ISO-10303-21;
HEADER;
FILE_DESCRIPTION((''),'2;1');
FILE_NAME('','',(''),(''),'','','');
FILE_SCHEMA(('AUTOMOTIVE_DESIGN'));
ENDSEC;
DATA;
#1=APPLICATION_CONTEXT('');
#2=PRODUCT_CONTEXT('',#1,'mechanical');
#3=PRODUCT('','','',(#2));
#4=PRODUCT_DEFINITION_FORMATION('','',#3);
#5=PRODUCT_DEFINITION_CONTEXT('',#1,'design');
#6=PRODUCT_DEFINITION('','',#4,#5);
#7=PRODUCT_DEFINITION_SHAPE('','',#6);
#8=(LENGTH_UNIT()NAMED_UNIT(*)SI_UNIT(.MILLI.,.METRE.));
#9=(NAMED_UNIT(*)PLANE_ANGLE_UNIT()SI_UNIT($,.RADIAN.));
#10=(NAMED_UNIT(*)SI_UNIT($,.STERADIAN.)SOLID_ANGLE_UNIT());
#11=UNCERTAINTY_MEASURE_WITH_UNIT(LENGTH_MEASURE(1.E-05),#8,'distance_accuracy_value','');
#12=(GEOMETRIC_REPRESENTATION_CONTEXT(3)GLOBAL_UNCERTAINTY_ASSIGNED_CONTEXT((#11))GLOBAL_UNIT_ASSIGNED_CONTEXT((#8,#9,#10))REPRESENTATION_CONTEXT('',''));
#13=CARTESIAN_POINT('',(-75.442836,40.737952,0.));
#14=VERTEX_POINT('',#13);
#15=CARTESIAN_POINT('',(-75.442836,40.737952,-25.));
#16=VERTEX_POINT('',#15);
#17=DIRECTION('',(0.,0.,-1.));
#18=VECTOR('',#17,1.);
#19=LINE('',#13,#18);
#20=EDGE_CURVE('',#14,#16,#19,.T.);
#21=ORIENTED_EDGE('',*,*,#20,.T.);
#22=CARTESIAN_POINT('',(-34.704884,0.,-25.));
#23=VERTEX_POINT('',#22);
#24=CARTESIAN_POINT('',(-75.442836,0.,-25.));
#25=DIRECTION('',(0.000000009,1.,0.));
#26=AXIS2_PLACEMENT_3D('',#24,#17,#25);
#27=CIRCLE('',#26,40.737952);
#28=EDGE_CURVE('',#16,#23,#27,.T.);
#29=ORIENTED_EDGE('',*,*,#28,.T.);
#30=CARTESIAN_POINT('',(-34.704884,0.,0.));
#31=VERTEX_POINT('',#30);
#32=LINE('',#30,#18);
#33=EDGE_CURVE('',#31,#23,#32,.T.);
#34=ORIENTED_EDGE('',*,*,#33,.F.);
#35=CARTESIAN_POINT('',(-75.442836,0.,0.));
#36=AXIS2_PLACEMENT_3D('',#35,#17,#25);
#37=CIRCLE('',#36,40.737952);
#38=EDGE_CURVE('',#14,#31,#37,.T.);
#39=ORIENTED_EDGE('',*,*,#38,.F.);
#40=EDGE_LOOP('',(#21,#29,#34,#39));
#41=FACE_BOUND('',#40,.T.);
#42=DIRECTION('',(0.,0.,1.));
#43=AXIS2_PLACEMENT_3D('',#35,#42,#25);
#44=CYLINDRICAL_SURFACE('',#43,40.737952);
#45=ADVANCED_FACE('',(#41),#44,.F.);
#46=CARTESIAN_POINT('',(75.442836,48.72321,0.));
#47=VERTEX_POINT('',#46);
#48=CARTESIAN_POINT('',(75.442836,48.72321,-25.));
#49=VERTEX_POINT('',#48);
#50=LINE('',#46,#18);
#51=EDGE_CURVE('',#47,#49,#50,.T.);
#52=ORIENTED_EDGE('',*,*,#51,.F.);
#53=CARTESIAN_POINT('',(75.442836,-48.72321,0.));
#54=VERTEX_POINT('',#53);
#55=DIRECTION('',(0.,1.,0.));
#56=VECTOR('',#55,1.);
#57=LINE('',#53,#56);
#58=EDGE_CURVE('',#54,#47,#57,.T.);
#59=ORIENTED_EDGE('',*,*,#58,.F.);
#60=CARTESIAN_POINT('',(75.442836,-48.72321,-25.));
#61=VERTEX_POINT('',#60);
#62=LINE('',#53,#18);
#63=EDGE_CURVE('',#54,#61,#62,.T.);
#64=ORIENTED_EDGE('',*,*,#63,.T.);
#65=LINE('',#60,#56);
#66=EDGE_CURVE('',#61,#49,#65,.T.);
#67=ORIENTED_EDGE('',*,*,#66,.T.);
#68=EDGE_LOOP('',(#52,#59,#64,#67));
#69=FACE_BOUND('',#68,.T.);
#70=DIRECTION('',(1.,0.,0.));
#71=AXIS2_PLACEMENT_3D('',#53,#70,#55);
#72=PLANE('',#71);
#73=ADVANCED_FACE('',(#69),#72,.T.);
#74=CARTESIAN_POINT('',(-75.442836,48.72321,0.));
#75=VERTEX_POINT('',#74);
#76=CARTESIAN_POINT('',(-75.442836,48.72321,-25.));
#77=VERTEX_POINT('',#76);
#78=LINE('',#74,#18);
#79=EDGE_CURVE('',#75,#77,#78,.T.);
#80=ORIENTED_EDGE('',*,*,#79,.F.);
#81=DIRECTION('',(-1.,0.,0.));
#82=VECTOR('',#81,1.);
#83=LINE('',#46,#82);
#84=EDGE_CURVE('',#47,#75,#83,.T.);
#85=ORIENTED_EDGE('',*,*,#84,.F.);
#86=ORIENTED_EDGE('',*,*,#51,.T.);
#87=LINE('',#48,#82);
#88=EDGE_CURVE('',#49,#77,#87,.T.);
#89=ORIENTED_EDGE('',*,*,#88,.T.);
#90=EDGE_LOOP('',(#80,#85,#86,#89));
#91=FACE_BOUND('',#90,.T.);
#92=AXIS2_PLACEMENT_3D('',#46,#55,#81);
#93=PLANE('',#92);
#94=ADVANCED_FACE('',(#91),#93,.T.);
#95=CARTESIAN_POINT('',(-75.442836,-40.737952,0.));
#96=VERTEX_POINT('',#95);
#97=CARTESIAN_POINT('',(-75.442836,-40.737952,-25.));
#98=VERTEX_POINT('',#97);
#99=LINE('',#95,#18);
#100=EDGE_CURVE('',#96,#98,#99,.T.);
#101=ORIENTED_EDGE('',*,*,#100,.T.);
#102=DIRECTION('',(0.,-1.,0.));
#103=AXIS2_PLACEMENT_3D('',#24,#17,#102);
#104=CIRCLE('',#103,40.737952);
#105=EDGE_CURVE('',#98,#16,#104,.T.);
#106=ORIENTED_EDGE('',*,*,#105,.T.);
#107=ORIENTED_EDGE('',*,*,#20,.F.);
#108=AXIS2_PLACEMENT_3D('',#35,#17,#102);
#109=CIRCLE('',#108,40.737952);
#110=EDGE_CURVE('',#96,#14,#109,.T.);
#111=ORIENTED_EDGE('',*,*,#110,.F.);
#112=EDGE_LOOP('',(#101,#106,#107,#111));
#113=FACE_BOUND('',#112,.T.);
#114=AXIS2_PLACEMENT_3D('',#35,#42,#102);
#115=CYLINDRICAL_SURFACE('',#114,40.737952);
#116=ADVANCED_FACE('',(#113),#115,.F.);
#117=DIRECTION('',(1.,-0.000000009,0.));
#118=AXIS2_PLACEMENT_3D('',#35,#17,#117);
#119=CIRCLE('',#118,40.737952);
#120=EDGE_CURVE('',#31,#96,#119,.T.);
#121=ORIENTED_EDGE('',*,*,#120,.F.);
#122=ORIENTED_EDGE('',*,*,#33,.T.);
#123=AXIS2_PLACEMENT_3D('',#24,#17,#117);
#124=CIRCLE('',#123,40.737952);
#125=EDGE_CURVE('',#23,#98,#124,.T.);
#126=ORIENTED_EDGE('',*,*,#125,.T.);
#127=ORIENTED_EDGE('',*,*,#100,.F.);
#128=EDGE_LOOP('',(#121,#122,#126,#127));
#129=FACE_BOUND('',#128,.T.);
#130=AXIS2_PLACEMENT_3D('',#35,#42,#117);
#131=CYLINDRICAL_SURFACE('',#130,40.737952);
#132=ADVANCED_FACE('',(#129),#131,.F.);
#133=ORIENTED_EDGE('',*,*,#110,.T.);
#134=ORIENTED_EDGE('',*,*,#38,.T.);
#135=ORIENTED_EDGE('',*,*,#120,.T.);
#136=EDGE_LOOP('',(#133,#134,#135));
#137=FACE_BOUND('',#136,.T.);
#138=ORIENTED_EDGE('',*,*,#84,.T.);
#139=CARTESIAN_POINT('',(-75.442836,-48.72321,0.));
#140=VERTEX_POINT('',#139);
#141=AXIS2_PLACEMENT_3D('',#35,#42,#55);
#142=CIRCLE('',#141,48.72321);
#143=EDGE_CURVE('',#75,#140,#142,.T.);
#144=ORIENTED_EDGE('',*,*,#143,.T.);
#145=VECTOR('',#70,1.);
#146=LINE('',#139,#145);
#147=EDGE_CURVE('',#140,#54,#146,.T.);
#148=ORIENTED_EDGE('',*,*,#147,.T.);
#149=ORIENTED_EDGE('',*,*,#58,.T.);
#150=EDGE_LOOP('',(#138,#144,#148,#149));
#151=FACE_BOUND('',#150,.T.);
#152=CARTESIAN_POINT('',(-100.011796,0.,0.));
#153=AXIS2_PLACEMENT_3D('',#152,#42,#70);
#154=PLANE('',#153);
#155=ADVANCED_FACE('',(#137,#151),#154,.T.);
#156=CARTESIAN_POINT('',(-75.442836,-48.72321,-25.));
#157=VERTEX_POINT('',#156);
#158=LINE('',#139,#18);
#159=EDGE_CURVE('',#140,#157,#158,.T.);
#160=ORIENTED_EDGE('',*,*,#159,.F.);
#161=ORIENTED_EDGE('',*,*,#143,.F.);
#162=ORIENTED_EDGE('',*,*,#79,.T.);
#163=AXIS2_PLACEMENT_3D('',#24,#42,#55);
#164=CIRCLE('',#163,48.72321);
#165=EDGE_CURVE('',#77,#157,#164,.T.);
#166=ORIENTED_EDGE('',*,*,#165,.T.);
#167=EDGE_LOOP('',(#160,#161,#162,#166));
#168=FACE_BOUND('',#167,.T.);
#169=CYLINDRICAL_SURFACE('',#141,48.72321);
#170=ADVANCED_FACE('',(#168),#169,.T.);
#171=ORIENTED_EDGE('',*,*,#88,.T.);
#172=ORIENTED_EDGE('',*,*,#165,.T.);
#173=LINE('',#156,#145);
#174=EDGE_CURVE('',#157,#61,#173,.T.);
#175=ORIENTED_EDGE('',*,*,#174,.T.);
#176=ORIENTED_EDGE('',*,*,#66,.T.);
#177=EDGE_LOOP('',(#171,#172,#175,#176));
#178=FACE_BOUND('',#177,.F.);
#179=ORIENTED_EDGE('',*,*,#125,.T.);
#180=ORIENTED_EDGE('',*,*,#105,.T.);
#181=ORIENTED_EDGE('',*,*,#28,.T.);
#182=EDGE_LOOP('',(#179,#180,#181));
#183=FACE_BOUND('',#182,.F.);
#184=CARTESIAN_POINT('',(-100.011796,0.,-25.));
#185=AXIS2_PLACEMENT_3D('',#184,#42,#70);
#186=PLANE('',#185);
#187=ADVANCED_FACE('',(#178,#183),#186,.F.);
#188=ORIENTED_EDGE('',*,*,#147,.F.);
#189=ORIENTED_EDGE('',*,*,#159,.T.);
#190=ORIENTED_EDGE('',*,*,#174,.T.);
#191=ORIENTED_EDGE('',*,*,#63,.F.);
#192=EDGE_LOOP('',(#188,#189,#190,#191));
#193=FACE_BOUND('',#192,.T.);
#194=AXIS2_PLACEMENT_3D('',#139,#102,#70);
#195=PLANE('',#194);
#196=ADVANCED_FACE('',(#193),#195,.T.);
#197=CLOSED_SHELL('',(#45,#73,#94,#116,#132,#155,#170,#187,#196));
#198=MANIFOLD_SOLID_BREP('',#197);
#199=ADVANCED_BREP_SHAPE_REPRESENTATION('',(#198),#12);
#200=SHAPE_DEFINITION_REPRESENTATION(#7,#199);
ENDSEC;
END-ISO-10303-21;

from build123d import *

# Parameters (mm, degrees)
F1_DEPTH = 25


with BuildPart() as f1:
    # F0 (on Top) → F1 (new body)
    with BuildSketch(Plane.XY):
        with BuildLine():
            Line((-75.442836, 40.737952), (-75.442836, 48.72321))
            ThreePointArc((-75.442836, 48.72321), (-124.166046, 0), (-75.442836, -48.72321))
            Line((-75.442836, -48.72321), (-75.442836, -40.737952))
            ThreePointArc((-75.442836, -40.737952), (-116.180788, 0), (-75.442836, 40.737952))
        make_face()
        with BuildLine():
            ThreePointArc((-26.719625, 0), (-40.990323, 34.452512), (-75.442836, 48.72321))
            Line((-75.442836, 48.72321), (-75.442836, 40.737952))
            ThreePointArc((-75.442836, 40.737952), (-46.636754, 28.806082), (-34.704884, 0))
            ThreePointArc((-34.704884, 0), (-46.636754, -28.806082), (-75.442836, -40.737952))
            Line((-75.442836, -40.737952), (-75.442836, -48.72321))
            ThreePointArc((-75.442836, -48.72321), (-40.990323, -34.452512), (-26.719625, 0))
        make_face()
        with BuildLine():
            Line((75.442836, 48.72321), (-75.442836, 48.72321))
            ThreePointArc((-75.442836, 48.72321), (-40.990323, 34.452512), (-26.719625, 0))
            ThreePointArc((-26.719625, 0), (-40.990323, -34.452512), (-75.442836, -48.72321))
            Line((-75.442836, -48.72321), (75.442836, -48.72321))
            Line((75.442836, -48.72321), (75.442836, 48.72321))
        make_face()
    extrude(amount=-F1_DEPTH)


solid = f1.part
